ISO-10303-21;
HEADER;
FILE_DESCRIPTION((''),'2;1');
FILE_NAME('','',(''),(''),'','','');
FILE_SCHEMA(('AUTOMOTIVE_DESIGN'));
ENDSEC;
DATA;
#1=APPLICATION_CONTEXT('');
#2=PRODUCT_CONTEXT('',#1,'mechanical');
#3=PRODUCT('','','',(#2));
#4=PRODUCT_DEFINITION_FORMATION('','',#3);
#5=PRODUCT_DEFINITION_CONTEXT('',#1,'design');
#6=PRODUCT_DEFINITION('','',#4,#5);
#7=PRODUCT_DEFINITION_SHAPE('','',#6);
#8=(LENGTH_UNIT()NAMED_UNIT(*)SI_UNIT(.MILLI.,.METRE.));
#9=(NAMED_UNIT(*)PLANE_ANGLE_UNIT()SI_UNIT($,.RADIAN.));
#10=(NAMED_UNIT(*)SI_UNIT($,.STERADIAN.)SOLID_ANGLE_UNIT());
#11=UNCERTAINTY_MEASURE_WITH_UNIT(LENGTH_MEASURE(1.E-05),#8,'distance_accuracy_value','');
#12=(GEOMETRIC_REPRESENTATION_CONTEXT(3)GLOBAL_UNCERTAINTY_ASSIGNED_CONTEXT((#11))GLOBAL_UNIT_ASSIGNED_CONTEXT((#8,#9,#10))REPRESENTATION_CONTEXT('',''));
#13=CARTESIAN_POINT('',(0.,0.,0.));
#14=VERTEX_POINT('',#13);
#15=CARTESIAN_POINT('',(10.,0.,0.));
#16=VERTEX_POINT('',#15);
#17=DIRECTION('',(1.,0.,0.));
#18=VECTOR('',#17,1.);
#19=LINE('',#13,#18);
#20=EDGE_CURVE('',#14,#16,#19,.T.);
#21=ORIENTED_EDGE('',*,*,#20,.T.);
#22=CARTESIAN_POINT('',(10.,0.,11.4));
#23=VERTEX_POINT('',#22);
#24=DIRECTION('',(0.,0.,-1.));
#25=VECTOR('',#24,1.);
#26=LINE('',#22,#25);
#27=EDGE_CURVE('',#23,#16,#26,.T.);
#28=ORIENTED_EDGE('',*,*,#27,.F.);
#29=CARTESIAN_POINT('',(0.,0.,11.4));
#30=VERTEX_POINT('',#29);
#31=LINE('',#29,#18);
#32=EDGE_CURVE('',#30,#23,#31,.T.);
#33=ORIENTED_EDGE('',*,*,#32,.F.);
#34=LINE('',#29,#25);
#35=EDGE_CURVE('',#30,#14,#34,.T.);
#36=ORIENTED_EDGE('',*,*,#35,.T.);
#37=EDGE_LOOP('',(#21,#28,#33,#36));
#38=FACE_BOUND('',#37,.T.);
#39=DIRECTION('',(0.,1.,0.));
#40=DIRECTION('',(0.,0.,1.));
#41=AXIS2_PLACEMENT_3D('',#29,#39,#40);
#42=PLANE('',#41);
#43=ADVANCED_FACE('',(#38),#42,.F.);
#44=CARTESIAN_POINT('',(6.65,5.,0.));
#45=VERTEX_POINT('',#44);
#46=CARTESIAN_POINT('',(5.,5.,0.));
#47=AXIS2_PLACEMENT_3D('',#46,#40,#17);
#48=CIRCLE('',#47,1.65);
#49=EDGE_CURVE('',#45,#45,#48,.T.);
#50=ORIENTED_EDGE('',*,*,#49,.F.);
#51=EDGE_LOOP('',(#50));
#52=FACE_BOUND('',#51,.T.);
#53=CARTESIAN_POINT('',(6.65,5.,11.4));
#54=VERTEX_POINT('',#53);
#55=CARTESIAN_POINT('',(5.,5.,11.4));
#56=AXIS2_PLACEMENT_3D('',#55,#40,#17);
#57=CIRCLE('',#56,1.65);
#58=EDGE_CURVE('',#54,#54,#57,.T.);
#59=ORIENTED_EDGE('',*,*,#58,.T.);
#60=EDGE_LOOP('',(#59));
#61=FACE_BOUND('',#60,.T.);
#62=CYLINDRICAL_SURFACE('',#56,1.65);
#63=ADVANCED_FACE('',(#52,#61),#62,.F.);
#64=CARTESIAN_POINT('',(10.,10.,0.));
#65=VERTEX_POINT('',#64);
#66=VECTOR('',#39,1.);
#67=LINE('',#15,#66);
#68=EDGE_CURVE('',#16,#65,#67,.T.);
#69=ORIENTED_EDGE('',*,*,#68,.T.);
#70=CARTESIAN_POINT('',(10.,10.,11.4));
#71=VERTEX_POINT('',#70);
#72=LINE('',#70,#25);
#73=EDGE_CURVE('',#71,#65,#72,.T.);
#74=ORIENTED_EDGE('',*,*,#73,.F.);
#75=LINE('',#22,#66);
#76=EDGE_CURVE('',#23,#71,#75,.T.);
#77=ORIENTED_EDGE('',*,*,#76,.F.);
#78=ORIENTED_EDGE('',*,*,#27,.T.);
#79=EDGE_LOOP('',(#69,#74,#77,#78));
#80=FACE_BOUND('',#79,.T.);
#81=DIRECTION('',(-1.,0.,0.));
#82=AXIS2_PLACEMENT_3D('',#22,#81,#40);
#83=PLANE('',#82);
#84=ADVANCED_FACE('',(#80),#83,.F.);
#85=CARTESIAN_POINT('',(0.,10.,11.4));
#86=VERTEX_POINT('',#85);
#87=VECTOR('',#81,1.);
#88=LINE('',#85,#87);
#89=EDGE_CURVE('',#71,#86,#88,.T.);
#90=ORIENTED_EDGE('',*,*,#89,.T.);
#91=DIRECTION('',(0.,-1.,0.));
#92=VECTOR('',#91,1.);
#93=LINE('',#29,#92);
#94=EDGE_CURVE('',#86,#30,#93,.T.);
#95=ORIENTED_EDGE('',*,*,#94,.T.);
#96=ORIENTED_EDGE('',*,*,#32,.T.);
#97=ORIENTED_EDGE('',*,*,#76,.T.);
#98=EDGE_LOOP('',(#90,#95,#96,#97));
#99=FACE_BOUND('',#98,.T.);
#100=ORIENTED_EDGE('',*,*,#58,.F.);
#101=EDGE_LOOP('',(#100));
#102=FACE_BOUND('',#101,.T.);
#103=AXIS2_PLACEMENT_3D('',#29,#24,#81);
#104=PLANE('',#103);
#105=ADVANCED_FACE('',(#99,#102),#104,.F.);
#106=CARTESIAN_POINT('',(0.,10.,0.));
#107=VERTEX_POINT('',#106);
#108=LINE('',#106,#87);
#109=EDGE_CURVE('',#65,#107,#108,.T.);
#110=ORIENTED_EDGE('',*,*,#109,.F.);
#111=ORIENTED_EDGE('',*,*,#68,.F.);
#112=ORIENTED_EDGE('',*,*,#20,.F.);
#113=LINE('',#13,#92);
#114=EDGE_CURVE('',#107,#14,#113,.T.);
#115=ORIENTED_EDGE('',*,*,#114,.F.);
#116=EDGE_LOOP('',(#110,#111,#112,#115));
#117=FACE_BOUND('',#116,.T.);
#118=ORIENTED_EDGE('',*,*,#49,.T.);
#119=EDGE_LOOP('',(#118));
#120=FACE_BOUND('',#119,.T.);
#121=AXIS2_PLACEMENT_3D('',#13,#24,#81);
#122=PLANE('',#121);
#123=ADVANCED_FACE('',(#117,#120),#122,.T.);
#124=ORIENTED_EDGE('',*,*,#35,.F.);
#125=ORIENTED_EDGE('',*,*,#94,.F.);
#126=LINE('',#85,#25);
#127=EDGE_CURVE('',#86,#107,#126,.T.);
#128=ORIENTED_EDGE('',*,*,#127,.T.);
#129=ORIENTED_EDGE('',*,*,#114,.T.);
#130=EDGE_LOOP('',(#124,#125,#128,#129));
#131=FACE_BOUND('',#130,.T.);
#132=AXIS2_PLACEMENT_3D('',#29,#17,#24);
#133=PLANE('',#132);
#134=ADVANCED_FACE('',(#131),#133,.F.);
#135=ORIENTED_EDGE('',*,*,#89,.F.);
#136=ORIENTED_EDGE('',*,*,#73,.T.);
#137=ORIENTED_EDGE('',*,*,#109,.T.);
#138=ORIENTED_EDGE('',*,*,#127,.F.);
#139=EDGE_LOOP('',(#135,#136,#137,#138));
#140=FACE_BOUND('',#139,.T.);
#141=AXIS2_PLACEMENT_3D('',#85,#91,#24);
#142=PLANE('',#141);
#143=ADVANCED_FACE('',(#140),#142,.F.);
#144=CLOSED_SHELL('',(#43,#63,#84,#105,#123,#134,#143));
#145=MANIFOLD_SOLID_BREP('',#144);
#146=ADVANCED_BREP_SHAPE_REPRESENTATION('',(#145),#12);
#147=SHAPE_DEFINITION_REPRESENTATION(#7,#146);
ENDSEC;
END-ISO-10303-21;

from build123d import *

# Parameters (mm, degrees)
SKETCH_1_W         = 10
SKETCH_1_H         = 10
EXTRUDE_1_DEPTH    = 11.4
HOLE_WIZARD_M4_1_D = 3.3


with BuildPart() as part:
    # 草图1 → 凸台-拉伸1 (new body)
    with BuildSketch(Plane.XY):
        with Locations((5, 5)):
            Rectangle(SKETCH_1_W, SKETCH_1_H)
    extrude(amount=EXTRUDE_1_DEPTH)

    # M4 螺纹孔1 (through all)
    with Locations(Plane.XY.offset(11.4)):
        with Locations((5, 5)):
            Hole(HOLE_WIZARD_M4_1_D / 2)


solid = part.part
